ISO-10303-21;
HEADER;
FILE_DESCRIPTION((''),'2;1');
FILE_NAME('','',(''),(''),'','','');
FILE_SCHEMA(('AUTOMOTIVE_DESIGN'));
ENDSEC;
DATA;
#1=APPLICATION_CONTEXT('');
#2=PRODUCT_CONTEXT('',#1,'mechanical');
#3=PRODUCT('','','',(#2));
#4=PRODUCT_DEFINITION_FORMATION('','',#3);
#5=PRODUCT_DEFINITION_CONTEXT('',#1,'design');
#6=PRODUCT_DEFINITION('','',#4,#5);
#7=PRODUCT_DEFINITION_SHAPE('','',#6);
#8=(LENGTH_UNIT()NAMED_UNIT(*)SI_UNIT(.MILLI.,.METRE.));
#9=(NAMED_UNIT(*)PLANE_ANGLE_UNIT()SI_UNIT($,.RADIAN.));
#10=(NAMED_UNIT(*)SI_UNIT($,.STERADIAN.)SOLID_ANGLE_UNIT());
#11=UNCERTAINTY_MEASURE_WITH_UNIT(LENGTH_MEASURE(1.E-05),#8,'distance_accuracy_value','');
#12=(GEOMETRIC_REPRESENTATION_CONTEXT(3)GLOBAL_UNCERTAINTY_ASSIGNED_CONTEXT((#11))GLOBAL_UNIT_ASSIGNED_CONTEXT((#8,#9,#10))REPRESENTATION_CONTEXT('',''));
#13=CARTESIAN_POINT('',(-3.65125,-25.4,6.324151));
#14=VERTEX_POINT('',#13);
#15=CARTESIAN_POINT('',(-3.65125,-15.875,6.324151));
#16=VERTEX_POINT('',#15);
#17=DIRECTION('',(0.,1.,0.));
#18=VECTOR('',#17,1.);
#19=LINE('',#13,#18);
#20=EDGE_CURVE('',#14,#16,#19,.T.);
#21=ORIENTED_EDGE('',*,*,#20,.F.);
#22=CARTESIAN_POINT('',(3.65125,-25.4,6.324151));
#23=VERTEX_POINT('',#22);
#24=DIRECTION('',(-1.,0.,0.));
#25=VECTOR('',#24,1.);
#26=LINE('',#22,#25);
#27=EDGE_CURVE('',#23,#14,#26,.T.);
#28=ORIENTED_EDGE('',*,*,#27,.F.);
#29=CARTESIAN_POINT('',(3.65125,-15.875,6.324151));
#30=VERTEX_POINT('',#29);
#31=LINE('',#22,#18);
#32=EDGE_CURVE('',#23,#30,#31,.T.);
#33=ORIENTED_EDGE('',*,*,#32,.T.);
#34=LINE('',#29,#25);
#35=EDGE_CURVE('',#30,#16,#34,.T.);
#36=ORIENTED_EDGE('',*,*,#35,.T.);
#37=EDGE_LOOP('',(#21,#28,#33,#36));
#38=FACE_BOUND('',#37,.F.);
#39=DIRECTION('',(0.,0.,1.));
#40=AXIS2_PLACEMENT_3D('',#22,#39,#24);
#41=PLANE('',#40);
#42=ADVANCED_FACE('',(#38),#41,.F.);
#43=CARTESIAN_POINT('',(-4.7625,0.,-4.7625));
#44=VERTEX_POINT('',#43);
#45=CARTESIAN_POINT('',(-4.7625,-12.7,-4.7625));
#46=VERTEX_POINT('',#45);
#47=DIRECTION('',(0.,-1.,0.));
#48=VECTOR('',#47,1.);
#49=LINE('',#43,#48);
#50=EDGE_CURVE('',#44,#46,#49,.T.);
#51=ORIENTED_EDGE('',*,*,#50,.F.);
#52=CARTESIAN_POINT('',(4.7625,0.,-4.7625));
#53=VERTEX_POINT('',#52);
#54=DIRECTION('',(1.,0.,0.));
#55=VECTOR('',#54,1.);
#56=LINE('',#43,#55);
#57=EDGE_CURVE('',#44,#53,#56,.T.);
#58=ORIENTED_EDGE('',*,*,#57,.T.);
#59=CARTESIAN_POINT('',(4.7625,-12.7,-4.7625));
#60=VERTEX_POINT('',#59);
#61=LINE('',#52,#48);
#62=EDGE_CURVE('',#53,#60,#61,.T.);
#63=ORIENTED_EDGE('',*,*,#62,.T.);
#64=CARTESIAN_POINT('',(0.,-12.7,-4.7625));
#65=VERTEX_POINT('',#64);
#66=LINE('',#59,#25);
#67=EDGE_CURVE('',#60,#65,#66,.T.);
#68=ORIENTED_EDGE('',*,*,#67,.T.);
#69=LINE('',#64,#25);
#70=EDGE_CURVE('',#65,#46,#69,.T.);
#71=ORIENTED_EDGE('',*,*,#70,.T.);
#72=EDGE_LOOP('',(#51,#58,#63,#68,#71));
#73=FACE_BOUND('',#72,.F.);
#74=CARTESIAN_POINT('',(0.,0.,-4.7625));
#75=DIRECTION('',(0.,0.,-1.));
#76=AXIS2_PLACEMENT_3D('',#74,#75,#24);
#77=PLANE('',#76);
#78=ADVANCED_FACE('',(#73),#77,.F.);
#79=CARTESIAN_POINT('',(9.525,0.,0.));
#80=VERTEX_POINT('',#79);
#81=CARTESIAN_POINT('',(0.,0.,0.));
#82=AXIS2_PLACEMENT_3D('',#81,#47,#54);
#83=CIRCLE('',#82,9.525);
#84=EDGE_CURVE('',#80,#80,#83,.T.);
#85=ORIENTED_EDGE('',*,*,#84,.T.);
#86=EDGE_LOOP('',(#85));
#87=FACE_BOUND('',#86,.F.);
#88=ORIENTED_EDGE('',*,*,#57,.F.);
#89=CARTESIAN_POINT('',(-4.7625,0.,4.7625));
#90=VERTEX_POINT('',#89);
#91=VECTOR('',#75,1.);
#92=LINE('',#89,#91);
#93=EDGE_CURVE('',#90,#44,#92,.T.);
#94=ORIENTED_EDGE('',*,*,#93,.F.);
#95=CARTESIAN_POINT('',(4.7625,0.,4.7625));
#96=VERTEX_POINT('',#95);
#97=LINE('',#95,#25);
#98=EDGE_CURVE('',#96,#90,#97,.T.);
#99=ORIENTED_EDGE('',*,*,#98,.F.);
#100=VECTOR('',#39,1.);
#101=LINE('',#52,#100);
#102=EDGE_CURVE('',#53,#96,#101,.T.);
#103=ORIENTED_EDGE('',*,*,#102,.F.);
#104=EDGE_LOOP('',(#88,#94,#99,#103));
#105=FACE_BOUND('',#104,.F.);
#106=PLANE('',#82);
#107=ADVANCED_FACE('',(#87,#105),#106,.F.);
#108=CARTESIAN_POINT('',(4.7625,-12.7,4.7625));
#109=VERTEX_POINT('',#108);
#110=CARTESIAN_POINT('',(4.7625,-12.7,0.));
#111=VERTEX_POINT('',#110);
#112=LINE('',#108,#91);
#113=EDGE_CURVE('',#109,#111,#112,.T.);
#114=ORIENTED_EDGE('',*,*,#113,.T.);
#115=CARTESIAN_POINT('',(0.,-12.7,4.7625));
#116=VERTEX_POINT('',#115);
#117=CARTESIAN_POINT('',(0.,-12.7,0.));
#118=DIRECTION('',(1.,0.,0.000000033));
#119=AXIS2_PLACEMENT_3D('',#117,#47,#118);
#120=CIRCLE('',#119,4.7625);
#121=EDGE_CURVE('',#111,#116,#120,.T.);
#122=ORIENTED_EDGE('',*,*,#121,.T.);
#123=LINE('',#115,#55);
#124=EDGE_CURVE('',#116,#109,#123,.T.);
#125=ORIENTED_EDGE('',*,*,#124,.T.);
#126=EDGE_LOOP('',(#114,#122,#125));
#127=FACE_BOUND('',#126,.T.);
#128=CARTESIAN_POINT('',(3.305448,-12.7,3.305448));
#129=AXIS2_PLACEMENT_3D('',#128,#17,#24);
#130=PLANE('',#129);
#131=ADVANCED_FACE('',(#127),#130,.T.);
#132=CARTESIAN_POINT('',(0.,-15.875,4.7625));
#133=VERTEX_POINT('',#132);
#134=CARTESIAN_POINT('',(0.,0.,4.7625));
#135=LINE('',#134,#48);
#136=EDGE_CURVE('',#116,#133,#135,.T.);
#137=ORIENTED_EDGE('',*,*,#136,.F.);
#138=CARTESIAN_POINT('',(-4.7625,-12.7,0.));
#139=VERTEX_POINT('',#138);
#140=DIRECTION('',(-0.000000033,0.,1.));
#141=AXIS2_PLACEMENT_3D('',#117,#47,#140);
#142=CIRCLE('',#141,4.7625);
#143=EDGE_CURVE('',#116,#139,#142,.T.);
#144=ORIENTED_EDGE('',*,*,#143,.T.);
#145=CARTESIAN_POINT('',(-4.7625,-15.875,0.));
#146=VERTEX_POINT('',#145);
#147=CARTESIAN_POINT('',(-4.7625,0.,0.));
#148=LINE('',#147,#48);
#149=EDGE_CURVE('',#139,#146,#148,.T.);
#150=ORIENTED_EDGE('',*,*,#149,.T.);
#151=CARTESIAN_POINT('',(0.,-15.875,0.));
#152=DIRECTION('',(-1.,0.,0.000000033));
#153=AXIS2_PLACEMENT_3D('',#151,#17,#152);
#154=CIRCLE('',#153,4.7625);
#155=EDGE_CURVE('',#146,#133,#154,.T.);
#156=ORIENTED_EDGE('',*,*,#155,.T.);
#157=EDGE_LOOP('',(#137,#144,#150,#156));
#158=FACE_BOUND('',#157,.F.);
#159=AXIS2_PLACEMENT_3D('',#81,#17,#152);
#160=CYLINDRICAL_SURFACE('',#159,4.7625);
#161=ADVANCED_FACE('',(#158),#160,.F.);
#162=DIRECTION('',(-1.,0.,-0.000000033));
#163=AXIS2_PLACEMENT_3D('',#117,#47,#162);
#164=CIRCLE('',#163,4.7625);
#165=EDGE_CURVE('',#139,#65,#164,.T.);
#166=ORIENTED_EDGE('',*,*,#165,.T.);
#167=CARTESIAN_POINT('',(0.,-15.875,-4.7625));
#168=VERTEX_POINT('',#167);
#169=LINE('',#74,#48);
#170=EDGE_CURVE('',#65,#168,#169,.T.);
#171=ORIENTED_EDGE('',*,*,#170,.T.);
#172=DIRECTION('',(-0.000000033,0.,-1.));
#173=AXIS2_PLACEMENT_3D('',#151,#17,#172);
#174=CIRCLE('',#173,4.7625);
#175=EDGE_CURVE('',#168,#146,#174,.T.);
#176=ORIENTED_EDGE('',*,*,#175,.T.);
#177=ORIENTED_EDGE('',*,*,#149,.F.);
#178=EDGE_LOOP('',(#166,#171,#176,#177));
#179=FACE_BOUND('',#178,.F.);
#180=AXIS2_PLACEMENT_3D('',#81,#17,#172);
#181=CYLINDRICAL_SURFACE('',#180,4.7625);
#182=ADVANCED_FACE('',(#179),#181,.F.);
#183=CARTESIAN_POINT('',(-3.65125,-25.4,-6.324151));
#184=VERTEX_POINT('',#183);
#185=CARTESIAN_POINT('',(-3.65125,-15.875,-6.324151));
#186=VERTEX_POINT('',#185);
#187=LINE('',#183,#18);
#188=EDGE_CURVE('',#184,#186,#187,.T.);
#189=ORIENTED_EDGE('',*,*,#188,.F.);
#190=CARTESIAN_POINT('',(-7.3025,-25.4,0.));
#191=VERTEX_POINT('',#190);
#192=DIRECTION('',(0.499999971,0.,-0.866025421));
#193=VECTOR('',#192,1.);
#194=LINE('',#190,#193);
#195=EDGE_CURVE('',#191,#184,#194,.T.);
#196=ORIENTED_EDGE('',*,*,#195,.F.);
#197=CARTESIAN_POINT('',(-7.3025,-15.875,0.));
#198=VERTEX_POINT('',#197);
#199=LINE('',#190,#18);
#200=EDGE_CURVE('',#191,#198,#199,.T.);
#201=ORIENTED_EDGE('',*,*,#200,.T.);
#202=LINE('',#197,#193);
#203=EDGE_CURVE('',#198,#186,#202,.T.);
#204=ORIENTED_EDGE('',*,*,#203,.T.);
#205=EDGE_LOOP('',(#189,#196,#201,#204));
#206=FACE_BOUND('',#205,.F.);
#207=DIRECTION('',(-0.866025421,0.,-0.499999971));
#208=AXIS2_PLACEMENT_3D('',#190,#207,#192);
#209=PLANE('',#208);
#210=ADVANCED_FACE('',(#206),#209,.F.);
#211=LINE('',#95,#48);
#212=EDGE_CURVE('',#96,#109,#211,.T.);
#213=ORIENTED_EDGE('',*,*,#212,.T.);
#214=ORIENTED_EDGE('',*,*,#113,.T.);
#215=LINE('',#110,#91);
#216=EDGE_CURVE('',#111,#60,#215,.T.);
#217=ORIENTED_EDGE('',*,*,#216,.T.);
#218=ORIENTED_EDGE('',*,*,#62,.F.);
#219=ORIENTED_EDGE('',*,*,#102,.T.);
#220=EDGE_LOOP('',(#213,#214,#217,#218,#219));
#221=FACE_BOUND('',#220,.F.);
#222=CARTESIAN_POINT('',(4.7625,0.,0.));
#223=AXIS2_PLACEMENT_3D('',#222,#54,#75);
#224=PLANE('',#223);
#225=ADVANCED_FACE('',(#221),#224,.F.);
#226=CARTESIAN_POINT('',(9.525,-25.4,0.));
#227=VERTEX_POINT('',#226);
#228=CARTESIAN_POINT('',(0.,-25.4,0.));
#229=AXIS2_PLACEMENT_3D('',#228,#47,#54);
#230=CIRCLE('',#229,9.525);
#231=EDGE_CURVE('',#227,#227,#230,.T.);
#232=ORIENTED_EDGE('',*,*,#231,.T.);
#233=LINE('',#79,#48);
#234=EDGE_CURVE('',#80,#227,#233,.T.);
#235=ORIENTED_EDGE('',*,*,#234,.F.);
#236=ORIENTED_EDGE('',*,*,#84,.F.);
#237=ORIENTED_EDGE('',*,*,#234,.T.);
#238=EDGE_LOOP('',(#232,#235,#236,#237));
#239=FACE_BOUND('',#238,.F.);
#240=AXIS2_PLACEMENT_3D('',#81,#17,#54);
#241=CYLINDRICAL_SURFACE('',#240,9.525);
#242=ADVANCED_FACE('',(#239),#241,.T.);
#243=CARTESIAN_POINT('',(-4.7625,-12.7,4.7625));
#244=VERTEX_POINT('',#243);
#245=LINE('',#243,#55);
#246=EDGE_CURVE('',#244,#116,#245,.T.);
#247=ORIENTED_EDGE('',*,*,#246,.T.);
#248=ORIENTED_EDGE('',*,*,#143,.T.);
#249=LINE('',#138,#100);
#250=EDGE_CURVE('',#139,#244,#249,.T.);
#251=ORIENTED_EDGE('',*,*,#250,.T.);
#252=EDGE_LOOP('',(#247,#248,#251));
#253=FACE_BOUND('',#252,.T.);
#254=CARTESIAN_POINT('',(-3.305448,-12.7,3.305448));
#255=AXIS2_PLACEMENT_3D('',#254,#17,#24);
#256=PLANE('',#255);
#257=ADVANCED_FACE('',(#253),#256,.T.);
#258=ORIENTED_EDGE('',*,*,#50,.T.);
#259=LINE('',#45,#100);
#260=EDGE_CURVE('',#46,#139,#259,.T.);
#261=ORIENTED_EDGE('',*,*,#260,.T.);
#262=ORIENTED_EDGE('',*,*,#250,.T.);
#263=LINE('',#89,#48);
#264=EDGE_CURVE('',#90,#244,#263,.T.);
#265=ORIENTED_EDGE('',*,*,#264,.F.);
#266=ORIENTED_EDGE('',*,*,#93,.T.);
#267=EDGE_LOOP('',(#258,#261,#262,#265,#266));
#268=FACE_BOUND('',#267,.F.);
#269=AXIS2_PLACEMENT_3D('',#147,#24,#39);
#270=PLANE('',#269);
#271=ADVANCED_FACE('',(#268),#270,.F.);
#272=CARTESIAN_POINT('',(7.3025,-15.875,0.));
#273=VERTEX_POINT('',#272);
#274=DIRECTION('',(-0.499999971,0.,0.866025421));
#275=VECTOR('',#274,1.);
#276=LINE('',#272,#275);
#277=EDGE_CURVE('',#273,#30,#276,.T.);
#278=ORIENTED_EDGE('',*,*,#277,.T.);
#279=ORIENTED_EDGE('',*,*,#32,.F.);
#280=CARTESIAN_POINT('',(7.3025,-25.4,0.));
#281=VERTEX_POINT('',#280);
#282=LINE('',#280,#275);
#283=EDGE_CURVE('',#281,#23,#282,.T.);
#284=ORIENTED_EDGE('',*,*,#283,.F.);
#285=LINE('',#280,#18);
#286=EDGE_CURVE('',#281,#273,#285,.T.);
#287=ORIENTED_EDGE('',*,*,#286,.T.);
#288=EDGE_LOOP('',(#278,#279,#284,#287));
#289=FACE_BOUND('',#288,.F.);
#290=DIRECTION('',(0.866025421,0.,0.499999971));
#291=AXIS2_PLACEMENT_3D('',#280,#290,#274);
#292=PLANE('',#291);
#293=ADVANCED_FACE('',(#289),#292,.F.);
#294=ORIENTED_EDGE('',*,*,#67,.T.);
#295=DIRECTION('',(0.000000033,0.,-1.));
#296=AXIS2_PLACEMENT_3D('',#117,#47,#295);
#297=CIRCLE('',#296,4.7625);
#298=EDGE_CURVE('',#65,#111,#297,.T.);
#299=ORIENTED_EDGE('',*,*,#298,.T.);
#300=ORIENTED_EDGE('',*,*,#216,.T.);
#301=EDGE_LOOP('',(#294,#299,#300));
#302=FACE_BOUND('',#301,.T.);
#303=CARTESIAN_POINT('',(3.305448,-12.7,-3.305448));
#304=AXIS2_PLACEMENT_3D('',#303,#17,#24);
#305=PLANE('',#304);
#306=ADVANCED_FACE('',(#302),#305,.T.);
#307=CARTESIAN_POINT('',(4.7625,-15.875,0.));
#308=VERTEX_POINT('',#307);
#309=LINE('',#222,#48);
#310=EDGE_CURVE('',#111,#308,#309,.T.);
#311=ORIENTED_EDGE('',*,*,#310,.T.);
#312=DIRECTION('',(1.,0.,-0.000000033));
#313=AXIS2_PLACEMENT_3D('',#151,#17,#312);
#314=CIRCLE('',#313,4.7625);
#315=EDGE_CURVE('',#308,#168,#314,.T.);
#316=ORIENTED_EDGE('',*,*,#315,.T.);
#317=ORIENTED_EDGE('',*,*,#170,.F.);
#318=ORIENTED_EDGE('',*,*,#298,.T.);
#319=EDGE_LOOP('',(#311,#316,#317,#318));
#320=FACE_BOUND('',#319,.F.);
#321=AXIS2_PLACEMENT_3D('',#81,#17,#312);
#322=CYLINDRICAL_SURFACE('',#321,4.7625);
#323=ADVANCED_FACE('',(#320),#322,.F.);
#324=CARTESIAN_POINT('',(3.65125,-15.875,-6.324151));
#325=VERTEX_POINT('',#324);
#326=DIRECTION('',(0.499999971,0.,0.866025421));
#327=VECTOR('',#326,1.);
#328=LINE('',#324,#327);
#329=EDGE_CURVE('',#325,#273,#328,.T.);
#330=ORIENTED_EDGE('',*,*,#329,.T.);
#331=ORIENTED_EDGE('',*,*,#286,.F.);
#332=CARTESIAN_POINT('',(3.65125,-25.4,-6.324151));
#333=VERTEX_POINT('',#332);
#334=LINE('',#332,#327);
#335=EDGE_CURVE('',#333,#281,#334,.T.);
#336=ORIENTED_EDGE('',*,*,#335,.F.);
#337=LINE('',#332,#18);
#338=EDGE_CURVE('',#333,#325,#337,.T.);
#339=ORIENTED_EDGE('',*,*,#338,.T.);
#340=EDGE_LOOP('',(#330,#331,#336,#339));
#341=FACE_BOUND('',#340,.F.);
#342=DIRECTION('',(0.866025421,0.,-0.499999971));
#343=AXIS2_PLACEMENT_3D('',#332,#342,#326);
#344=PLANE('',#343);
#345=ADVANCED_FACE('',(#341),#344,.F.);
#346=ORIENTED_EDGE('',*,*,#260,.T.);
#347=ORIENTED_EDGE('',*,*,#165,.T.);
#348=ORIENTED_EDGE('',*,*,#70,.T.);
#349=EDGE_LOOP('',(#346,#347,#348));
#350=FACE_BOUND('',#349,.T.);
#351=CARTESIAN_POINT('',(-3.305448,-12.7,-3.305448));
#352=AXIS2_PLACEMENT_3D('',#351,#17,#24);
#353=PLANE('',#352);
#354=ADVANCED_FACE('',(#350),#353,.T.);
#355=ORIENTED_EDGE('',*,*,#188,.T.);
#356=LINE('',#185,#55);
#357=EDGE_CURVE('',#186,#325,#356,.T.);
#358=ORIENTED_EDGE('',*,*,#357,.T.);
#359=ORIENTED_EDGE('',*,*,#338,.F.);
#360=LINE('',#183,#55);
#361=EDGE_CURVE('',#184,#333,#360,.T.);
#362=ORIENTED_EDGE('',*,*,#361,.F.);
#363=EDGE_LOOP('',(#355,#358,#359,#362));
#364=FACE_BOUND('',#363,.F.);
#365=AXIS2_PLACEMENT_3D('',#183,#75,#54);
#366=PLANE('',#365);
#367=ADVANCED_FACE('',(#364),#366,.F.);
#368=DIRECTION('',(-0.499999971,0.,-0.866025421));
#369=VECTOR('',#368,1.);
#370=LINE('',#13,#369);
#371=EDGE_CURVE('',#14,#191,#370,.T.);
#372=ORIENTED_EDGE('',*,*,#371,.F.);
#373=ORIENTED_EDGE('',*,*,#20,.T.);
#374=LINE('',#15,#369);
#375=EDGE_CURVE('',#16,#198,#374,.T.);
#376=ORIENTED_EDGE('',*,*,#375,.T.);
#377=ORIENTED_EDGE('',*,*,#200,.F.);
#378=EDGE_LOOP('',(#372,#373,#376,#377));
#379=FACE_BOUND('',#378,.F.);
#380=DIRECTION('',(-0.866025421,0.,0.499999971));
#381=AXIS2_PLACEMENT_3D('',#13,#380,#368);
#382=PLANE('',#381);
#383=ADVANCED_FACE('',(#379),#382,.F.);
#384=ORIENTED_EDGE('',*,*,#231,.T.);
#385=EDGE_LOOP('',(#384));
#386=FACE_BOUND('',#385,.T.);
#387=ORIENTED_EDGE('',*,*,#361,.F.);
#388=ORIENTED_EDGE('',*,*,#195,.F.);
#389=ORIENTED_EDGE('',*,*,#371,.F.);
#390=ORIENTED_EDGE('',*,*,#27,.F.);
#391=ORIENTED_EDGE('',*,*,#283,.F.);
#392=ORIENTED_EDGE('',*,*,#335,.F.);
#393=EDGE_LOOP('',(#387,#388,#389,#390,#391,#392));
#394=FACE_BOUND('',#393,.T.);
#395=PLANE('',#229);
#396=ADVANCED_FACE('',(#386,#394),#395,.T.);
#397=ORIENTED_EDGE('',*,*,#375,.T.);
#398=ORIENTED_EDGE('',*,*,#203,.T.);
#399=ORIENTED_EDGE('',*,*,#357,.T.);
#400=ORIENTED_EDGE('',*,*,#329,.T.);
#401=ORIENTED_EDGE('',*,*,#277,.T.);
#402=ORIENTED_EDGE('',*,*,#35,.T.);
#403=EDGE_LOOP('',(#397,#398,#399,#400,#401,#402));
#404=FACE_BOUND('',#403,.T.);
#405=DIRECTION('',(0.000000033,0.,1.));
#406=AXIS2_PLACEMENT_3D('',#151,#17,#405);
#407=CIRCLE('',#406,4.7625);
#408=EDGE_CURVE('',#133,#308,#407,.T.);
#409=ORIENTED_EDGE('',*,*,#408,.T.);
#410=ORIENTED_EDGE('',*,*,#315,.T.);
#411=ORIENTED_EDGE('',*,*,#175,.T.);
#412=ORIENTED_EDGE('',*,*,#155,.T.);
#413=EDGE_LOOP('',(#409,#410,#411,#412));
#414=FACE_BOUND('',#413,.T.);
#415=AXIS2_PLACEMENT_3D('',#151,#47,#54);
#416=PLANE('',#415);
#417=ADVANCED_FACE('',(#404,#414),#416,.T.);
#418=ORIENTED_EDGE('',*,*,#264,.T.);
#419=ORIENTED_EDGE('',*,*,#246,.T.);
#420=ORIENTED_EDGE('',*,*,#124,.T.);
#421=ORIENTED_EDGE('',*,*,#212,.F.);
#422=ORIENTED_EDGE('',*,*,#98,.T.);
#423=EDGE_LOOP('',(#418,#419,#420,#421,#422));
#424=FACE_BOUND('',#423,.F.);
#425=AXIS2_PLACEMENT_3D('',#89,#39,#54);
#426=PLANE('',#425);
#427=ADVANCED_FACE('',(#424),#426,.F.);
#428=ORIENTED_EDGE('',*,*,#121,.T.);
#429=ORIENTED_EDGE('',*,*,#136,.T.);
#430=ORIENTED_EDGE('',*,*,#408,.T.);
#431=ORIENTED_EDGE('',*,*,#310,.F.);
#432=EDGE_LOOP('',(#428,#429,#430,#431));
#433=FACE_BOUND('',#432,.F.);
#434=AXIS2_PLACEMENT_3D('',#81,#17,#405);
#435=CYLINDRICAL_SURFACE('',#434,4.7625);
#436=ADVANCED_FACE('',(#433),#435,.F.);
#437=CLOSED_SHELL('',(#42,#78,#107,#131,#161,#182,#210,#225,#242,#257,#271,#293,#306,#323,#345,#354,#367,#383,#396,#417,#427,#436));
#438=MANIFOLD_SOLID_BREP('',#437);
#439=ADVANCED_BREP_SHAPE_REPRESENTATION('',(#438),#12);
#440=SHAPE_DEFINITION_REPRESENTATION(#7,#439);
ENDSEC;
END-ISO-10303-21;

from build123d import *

# Parameters (mm, degrees)
F0_R     = 9.525
F1_DEPTH = 25.4
F3_DEPTH = 25.401
F4_DEPTH = 12.7
F6_DEPTH = 9.525


with BuildPart() as f1:
    # F0 (on Front) → F1 (new body)
    with BuildSketch(Plane.XZ):
        Circle(F0_R)
    extrude(amount=F1_DEPTH)

    # F2 (on face) → F3 (cut, through all)
    with BuildSketch(Plane(origin=(0, 0, 0), x_dir=(-1, 0, 0), z_dir=(0, 1, 0))):
        with BuildLine():
            ThreePointArc((-4.7625, 0), (-3.367596, -3.367596), (0, -4.7625))
            ThreePointArc((0, -4.7625), (3.367596, -3.367596), (4.7625, 0))
            ThreePointArc((4.7625, 0), (3.367596, 3.367596), (0, 4.7625))
            ThreePointArc((0, 4.7625), (-3.367596, 3.367596), (-4.7625, 0))
        make_face()
    extrude(amount=-F3_DEPTH, mode=Mode.SUBTRACT)

    # F2 (on face) → F4 (cut)
    with BuildSketch(Plane(origin=(0, 0, 0), x_dir=(-1, 0, 0), z_dir=(0, 1, 0))):
        with BuildLine():
            Line((-4.7625, 0), (-4.7625, -4.7625))
            Line((-4.7625, -4.7625), (0, -4.7625))
            ThreePointArc((0, -4.7625), (-3.367596, -3.367596), (-4.7625, 0))
        make_face()
        with BuildLine():
            ThreePointArc((4.7625, 0), (3.367596, -3.367596), (0, -4.7625))
            Line((0, -4.7625), (4.7625, -4.7625))
            Line((4.7625, -4.7625), (4.7625, 0))
        make_face()
        with BuildLine():
            Line((-4.7625, 4.7625), (-4.7625, 0))
            ThreePointArc((-4.7625, 0), (-3.367596, 3.367596), (0, 4.7625))
            Line((0, 4.7625), (-4.7625, 4.7625))
        make_face()
        with BuildLine():
            ThreePointArc((0, 4.7625), (3.367596, 3.367596), (4.7625, 0))
            Line((4.7625, 0), (4.7625, 4.7625))
            Line((4.7625, 4.7625), (0, 4.7625))
        make_face()
    extrude(amount=-F4_DEPTH, mode=Mode.SUBTRACT)

    # F5 (on face) → F6 (cut)
    with BuildSketch(Plane.XZ.offset(25.4)):
        Polygon((3.65125, 6.324151), (-3.65125, 6.324151), (-7.3025, 0), (-3.65125, -6.324151), (3.65125, -6.324151), (7.3025, 0), align=None)
    extrude(amount=-F6_DEPTH, mode=Mode.SUBTRACT)


solid = f1.part
